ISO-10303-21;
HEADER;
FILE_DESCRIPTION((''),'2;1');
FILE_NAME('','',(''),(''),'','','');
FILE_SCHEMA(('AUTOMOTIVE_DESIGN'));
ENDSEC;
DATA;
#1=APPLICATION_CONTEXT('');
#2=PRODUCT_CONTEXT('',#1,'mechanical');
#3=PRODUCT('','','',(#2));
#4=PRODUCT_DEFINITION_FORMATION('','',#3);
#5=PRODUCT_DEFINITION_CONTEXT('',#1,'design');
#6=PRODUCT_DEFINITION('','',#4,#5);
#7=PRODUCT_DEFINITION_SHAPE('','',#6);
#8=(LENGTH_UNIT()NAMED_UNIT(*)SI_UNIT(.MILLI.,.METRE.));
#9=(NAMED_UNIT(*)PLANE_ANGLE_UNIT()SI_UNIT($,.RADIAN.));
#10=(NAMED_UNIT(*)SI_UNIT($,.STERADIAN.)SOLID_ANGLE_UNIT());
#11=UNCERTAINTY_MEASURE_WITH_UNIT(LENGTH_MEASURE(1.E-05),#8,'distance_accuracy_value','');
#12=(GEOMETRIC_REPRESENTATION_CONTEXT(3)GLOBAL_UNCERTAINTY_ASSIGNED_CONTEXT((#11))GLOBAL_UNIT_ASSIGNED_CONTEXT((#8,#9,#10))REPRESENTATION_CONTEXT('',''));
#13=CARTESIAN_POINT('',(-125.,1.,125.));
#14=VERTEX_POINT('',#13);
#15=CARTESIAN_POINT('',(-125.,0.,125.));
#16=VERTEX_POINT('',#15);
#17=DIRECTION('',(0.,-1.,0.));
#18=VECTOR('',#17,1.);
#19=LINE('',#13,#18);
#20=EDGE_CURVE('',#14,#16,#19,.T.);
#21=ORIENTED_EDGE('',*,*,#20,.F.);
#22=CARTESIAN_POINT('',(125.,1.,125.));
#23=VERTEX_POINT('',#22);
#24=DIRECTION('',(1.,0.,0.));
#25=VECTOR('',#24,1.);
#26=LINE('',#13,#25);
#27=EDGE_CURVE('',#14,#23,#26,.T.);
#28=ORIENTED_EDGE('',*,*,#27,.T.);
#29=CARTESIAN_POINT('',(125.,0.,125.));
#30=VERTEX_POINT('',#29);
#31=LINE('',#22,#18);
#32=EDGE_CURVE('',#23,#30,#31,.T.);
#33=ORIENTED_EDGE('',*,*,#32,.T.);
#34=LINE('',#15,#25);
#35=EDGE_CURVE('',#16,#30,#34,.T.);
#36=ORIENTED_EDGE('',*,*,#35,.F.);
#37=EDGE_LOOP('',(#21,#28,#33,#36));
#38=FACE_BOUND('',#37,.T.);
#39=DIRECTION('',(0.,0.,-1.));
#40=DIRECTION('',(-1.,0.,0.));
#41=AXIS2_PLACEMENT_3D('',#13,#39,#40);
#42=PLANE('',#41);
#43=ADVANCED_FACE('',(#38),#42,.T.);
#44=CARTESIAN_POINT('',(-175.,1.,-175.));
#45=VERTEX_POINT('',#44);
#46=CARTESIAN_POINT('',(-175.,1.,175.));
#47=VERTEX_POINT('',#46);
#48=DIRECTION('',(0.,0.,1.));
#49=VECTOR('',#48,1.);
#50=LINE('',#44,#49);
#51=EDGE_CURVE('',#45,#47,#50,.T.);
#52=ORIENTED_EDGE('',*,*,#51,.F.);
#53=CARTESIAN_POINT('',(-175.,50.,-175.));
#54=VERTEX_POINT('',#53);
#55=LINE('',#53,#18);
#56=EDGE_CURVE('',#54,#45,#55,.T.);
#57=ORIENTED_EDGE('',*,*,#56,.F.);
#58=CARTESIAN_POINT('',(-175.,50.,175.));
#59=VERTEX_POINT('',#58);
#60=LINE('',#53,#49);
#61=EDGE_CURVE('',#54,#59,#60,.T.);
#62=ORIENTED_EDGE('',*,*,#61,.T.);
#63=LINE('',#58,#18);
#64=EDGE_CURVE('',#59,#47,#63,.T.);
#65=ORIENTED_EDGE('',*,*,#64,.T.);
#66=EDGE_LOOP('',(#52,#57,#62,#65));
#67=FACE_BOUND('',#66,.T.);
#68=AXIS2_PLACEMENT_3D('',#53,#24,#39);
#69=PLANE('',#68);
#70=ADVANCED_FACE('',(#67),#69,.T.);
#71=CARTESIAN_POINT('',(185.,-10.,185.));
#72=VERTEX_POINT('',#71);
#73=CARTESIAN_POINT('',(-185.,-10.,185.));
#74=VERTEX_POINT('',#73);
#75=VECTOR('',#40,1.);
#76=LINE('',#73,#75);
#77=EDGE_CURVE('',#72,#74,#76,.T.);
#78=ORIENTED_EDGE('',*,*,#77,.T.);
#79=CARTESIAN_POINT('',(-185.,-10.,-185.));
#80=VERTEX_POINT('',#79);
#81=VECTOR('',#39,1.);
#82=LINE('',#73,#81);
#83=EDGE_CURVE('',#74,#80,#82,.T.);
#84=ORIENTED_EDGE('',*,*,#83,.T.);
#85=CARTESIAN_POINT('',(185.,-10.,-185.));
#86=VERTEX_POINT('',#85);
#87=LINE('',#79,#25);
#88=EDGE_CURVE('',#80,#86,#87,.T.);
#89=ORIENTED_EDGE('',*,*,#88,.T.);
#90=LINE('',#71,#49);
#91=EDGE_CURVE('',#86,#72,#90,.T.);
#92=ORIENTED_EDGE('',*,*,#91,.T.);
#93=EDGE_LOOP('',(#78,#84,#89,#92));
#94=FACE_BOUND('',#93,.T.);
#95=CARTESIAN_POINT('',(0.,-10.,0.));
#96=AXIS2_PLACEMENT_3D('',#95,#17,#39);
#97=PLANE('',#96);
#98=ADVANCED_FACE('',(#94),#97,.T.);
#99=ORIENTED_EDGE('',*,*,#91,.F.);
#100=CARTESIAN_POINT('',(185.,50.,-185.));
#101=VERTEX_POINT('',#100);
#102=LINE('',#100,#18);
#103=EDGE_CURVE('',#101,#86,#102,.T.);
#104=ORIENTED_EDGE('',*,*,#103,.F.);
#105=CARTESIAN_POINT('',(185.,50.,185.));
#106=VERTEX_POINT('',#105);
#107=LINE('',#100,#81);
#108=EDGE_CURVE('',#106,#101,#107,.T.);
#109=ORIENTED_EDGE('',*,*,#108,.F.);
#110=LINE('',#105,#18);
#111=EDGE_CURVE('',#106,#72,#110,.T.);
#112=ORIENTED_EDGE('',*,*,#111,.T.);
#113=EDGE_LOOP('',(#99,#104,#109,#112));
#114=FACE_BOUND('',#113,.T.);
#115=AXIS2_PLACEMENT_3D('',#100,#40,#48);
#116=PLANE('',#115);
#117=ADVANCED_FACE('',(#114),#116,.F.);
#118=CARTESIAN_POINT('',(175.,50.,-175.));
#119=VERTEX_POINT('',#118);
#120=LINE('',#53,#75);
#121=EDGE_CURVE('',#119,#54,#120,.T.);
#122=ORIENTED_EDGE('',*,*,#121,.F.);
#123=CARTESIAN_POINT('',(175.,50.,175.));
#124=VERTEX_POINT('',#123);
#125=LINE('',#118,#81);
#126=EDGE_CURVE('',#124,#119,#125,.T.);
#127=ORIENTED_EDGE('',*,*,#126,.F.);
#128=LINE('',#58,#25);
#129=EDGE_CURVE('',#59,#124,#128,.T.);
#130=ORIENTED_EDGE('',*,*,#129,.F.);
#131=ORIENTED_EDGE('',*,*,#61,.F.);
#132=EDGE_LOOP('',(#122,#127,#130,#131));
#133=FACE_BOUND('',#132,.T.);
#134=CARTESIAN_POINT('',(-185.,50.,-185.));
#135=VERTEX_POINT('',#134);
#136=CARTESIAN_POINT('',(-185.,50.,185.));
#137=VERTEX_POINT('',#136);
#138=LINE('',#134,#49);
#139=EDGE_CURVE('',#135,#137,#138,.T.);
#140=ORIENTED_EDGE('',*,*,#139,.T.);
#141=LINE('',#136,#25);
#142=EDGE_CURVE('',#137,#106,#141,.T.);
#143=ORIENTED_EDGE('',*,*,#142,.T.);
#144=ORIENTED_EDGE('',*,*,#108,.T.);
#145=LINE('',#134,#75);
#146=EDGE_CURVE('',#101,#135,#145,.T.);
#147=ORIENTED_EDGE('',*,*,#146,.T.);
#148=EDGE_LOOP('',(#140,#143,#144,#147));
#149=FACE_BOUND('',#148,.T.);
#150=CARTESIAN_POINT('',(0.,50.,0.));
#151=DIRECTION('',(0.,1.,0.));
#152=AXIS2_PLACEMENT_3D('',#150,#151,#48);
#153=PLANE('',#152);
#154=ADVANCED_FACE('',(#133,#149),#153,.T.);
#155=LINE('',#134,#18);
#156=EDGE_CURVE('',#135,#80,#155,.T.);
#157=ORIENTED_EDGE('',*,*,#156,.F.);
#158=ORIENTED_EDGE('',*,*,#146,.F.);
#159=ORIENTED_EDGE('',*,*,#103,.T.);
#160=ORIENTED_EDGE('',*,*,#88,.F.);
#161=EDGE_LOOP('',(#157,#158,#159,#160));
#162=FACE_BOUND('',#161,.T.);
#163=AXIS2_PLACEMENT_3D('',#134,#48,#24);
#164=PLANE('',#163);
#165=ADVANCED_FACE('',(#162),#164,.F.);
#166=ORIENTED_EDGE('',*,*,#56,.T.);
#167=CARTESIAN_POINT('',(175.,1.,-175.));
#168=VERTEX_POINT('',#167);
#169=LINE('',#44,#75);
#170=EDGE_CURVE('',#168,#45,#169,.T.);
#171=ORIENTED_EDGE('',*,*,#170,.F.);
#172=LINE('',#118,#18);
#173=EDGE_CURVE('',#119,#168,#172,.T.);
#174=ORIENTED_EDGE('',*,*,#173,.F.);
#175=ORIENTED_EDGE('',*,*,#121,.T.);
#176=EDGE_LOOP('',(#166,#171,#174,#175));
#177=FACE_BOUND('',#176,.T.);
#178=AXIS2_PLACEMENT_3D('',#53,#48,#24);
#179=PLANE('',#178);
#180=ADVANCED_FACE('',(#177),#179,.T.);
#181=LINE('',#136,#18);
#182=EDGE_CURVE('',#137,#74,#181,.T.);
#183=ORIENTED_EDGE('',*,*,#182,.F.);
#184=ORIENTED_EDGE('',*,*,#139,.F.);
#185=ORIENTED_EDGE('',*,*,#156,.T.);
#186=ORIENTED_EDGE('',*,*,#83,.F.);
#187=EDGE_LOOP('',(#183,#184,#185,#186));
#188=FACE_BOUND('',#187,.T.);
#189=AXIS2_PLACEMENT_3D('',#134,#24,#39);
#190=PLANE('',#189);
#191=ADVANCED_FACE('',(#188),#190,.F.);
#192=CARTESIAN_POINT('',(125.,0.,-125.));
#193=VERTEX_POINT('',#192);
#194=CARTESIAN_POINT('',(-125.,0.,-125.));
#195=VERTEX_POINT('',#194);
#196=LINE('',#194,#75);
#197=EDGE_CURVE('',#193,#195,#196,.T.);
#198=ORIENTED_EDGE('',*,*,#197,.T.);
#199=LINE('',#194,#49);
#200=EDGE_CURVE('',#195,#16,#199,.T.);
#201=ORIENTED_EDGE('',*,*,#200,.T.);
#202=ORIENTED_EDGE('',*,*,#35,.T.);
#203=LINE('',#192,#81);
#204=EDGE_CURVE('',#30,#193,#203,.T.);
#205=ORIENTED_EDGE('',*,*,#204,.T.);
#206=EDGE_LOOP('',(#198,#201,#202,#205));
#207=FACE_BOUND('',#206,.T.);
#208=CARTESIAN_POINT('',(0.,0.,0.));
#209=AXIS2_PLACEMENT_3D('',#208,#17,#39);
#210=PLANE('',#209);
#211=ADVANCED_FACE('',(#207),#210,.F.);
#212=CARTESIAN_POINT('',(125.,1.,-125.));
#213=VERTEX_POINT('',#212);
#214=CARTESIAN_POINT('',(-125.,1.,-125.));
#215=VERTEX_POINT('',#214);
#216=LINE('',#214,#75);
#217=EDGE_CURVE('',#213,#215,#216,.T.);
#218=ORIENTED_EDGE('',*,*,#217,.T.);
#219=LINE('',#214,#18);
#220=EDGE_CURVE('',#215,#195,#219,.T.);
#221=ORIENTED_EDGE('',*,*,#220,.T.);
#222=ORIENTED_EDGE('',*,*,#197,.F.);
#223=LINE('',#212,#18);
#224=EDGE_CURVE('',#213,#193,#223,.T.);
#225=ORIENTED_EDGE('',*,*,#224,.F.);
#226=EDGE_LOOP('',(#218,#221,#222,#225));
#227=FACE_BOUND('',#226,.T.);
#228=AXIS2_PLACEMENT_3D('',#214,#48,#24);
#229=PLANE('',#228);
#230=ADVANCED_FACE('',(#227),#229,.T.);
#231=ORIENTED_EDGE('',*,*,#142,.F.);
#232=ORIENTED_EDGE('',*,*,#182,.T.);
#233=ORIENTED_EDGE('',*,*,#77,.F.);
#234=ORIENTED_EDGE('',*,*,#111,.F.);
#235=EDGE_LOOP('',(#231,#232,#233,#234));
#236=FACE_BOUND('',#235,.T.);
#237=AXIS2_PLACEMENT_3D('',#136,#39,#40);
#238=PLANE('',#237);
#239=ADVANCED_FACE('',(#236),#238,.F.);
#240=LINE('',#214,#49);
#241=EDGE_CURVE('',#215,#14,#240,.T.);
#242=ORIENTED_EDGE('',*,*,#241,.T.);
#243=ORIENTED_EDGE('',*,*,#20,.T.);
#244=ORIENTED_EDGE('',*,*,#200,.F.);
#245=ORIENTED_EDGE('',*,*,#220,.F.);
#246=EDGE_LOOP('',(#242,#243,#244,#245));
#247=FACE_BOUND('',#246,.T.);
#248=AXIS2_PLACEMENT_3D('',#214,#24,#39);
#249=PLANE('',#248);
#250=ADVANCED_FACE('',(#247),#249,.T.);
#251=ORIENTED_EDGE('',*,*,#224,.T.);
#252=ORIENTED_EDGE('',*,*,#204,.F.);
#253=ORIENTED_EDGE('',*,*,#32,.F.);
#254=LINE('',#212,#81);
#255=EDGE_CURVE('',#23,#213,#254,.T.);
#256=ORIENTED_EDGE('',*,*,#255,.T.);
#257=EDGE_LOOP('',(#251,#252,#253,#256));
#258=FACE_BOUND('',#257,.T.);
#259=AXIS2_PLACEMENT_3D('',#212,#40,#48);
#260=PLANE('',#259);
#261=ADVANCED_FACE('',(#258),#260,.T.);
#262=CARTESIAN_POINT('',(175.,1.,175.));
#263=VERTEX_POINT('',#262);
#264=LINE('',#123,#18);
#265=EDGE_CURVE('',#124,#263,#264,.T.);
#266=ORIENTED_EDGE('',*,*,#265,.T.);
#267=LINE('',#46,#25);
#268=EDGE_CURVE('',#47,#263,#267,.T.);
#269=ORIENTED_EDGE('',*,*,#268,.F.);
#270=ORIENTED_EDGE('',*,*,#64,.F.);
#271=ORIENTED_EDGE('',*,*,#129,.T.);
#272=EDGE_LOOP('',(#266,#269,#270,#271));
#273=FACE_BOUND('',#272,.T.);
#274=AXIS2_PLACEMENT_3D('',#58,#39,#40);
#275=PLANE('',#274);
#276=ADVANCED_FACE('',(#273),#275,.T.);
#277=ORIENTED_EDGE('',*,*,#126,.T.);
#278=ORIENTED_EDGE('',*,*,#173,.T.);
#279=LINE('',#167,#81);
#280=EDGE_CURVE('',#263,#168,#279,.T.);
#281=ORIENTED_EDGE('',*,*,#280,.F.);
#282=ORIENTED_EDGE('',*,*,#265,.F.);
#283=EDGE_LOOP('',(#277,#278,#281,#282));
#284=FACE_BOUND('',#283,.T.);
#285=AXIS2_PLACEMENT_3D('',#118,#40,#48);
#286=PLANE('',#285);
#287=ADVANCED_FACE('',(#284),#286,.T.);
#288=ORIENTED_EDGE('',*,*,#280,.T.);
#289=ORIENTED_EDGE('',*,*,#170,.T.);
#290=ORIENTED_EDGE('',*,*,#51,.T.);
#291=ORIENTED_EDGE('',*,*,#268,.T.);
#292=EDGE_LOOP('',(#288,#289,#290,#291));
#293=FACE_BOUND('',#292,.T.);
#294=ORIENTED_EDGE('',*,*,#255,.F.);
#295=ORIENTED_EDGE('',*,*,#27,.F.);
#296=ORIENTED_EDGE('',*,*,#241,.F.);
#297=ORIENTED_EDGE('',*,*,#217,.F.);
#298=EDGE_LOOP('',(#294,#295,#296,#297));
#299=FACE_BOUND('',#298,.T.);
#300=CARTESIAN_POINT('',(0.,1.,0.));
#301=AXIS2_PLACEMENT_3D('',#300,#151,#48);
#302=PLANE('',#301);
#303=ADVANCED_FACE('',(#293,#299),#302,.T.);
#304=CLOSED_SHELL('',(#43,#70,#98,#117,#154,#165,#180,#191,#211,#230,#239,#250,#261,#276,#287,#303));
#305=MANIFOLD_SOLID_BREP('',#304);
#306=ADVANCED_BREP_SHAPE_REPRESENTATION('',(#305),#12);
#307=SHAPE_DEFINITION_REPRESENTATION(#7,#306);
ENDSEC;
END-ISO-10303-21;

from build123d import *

# Parameters (mm, degrees)
SKETCH_1_W      = 370
SKETCH_1_H      = 370
SKETCH_1_W_2    = 350
SKETCH_1_H_2    = 350
EXTRUDE_1_DEPTH = 50
SKETCH_2_W      = 370
SKETCH_2_H      = 370
EXTRUDE_2_DEPTH = 10
SKETCH_3_W      = 350
SKETCH_3_H      = 350
SKETCH_3_W_2    = 250
SKETCH_3_H_2    = 250
EXTRUDE_3_DEPTH = 1


with BuildPart() as part:
    # 草图1 → 凸台-拉伸1 (new body)
    with BuildSketch(Plane(origin=(0, 0, 0), x_dir=(1, 0, 0), z_dir=(0, 1, 0))):
        Rectangle(SKETCH_1_W, SKETCH_1_H)
        Rectangle(SKETCH_1_W_2, SKETCH_1_H_2, mode=Mode.SUBTRACT)
    extrude(amount=EXTRUDE_1_DEPTH)

    # 草图2 → 凸台-拉伸2 (add)
    with BuildSketch(Plane.XZ):
        Rectangle(SKETCH_2_W, SKETCH_2_H)
    extrude(amount=EXTRUDE_2_DEPTH)

    # 草图3 → 凸台-拉伸3 (add)
    with BuildSketch(Plane(origin=(0, 0, 0), x_dir=(1, 0, 0), z_dir=(0, 1, 0))):
        Rectangle(SKETCH_3_W, SKETCH_3_H)
        Rectangle(SKETCH_3_W_2, SKETCH_3_H_2, mode=Mode.SUBTRACT)
    extrude(amount=EXTRUDE_3_DEPTH)


solid = part.part
